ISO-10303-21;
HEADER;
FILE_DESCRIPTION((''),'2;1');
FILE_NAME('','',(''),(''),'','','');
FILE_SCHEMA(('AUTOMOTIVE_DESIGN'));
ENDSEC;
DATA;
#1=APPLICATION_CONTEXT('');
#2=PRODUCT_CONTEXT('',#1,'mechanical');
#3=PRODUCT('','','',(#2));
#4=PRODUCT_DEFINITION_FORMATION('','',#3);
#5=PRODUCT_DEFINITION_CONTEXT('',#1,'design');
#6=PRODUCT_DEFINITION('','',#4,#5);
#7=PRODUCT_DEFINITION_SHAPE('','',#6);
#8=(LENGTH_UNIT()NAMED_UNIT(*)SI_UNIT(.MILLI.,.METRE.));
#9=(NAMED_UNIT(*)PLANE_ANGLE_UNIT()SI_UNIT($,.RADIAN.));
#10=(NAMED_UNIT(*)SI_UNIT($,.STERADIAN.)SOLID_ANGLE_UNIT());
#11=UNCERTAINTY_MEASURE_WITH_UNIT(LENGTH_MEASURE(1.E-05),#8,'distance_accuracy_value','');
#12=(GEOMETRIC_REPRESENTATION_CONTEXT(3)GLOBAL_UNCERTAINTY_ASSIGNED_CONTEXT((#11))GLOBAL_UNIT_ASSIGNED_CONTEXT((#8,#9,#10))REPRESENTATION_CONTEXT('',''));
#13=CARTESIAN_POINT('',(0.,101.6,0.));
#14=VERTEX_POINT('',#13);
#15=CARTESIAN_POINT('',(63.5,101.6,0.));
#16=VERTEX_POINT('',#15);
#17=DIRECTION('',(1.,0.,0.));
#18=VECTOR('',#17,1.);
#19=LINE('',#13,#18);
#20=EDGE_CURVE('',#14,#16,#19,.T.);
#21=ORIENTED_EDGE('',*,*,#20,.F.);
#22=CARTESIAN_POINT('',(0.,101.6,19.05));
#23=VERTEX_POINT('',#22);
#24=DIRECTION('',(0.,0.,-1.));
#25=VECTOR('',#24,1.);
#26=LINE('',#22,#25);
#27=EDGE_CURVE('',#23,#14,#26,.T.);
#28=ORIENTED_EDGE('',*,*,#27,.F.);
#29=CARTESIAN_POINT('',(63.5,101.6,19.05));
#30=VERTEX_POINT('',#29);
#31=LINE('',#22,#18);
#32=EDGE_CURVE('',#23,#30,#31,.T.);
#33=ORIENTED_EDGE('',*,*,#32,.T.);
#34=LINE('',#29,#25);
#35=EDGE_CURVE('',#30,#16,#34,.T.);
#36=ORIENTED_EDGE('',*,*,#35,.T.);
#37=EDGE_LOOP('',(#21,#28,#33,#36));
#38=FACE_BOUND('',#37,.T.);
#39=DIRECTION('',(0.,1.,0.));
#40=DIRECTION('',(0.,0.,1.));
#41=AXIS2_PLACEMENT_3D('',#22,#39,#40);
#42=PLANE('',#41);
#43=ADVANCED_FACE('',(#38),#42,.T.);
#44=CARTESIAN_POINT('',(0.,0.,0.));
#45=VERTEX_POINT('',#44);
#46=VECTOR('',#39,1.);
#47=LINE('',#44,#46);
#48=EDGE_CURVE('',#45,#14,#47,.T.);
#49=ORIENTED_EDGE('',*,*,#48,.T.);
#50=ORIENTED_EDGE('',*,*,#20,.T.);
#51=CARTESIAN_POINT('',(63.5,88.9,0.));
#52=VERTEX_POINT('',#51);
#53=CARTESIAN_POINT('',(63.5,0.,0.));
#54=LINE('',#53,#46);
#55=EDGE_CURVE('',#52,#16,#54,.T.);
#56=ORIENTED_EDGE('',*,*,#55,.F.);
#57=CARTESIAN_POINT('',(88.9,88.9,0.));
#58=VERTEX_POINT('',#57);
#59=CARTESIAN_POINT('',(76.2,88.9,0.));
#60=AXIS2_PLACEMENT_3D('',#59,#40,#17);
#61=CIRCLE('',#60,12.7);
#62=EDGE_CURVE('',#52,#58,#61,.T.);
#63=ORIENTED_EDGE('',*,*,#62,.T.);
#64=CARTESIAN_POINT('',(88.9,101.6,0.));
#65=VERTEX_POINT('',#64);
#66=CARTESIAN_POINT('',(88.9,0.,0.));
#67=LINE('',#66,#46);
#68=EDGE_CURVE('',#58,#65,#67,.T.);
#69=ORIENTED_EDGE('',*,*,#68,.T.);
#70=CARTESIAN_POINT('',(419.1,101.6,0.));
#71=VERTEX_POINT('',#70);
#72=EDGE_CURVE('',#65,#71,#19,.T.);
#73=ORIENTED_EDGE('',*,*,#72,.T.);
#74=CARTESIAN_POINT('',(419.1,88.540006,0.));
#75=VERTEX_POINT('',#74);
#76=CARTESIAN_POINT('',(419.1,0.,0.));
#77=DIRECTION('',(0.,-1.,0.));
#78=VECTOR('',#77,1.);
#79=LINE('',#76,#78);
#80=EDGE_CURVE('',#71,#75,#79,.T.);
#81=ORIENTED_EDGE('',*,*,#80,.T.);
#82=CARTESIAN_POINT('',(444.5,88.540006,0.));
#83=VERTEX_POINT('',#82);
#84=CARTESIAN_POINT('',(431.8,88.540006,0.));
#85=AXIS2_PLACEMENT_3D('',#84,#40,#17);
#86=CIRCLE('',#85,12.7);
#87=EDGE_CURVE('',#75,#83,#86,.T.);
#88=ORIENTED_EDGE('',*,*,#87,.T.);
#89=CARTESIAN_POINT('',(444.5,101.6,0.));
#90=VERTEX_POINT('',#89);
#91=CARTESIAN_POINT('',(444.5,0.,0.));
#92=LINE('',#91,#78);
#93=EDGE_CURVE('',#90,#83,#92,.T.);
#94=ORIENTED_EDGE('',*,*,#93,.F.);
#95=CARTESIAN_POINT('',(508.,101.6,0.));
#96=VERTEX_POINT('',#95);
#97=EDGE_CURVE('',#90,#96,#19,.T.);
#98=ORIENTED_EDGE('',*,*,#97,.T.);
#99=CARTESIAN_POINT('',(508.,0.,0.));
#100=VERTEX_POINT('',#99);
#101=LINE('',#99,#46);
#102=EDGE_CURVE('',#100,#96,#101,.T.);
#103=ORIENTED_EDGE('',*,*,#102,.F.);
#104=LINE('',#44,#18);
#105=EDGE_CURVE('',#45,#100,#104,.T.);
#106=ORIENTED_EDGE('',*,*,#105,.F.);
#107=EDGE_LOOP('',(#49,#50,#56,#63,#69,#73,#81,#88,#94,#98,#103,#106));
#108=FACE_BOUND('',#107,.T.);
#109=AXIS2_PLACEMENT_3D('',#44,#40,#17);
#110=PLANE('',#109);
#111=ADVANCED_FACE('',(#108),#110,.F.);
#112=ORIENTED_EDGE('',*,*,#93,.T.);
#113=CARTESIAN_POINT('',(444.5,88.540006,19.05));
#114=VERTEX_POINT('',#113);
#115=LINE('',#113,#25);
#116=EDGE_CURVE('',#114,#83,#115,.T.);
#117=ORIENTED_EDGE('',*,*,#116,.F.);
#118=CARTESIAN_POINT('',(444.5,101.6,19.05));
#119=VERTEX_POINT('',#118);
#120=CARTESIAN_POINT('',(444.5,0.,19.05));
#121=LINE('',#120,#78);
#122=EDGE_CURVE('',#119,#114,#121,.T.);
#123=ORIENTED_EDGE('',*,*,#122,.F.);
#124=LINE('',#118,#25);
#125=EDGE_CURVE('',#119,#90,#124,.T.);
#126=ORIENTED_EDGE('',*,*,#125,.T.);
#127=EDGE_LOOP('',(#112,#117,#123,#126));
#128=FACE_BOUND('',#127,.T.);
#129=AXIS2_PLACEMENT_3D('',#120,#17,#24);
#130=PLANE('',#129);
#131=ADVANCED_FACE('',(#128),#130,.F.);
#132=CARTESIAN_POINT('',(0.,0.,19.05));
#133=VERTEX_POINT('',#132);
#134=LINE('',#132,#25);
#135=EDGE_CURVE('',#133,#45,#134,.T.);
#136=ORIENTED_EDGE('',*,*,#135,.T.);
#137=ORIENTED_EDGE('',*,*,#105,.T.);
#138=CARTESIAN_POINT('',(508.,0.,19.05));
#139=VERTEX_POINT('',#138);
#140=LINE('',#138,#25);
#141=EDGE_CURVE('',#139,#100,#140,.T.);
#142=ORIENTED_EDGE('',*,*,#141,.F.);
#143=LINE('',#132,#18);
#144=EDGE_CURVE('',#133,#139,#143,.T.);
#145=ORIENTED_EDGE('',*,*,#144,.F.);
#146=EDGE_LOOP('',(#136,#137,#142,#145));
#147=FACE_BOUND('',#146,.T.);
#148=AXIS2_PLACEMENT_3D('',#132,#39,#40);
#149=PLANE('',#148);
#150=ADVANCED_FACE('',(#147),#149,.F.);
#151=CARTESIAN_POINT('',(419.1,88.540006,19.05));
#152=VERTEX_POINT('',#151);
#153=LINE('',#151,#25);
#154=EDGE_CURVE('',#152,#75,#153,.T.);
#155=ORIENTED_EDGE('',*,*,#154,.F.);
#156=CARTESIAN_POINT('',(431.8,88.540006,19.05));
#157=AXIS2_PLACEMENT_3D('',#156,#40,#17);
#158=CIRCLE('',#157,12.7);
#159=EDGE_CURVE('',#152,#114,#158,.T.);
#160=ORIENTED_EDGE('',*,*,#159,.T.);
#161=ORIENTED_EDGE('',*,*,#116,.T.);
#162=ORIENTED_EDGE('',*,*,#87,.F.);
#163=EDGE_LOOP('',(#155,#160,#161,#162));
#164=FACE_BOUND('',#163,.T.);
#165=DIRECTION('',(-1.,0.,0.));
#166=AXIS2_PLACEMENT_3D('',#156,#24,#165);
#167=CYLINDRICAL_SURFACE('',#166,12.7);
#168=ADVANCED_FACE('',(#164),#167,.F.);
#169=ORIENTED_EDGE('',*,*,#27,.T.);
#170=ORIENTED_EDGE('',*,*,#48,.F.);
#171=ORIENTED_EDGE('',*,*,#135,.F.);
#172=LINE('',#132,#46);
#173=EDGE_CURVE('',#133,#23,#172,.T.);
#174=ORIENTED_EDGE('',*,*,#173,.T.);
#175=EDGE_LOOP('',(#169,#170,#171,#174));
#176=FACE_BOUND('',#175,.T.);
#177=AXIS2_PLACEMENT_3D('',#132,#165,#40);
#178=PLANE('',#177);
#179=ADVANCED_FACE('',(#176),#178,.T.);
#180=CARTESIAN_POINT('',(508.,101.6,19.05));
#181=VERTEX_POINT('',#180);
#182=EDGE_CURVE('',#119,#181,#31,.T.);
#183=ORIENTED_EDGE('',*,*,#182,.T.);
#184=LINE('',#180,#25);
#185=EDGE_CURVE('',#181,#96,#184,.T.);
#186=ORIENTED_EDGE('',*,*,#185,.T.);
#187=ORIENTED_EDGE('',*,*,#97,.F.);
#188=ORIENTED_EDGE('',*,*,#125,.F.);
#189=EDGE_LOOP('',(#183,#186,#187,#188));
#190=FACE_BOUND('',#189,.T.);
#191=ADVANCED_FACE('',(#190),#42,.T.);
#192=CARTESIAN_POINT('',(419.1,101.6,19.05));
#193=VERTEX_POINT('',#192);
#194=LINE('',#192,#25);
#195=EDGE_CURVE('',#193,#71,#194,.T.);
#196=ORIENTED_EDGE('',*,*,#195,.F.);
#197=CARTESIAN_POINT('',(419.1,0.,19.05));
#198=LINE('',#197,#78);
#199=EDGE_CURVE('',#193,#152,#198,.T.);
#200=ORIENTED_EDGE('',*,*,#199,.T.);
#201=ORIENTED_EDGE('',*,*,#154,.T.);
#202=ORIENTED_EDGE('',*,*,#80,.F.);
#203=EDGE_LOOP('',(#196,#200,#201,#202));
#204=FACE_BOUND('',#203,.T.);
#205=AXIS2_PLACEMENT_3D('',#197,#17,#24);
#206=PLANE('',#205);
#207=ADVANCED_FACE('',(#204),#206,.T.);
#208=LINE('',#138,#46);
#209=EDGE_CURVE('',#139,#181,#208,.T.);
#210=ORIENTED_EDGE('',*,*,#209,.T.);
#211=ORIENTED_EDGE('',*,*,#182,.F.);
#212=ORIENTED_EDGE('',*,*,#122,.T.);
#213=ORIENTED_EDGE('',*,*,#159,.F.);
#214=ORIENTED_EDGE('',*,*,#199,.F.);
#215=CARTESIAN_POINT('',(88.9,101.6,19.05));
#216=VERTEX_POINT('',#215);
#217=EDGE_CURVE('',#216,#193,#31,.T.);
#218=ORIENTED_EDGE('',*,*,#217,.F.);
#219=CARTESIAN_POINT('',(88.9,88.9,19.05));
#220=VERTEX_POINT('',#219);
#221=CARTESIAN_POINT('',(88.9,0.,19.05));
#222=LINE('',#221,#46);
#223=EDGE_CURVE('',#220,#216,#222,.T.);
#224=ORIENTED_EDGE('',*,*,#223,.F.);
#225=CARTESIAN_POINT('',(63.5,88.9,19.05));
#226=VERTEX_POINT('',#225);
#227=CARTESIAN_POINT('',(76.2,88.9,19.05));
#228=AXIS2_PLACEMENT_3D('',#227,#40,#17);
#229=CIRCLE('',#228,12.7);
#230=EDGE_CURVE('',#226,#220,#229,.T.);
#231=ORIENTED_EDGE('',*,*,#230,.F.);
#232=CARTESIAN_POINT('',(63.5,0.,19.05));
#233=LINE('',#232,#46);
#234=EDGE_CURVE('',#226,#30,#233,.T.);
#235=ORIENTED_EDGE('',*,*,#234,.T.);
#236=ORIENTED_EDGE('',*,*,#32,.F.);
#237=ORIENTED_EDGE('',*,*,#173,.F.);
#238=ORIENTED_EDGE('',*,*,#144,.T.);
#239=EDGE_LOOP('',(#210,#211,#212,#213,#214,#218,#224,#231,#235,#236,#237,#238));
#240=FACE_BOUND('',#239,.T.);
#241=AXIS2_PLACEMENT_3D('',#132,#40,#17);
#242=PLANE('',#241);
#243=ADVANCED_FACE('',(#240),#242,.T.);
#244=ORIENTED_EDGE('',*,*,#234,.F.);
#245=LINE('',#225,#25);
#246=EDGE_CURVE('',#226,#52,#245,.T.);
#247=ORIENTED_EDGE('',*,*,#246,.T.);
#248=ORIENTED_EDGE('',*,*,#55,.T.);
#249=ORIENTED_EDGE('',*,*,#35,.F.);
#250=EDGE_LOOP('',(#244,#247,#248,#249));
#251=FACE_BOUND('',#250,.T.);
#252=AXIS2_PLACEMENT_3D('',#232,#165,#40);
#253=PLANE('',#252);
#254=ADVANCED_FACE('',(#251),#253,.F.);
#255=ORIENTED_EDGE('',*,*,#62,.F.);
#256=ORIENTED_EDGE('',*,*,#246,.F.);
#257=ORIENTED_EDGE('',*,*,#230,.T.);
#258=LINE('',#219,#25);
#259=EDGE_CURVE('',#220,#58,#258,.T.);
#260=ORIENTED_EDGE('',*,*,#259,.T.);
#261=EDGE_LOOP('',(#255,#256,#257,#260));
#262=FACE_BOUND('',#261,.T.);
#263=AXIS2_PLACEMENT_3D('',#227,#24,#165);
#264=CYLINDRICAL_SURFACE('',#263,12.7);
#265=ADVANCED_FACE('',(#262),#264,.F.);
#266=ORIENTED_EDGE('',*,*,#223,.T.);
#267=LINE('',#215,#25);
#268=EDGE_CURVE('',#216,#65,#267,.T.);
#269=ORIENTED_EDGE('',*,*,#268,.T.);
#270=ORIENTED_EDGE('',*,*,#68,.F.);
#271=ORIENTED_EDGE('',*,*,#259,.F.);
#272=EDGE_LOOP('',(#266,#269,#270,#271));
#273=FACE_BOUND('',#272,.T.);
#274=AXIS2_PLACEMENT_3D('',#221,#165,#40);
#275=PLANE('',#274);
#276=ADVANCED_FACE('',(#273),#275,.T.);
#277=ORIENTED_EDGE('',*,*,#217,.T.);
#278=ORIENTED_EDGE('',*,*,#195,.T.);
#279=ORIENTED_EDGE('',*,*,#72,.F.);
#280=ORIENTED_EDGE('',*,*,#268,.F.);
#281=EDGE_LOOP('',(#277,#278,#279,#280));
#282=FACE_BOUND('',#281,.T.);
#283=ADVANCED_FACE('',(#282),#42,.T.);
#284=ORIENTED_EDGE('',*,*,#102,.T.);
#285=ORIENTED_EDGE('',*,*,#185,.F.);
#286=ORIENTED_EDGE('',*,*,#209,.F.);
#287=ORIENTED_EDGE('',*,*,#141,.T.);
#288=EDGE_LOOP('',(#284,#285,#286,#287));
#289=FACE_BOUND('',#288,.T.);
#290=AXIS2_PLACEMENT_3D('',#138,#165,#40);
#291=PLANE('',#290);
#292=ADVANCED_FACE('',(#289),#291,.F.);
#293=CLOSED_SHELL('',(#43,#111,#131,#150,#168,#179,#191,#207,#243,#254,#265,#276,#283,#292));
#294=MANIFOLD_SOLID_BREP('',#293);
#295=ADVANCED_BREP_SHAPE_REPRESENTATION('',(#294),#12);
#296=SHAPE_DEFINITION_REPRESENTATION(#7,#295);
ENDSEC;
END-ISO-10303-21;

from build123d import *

# Parameters (mm, degrees)
BOSS_EXTRUDE1_DEPTH = 19.05


with BuildPart() as part:
    # Sketch1 → Boss-Extrude1 (new body)
    with BuildSketch(Plane.XY):
        with BuildLine():
            Line((0, 101.6), (0, 0))
            Line((0, 0), (508, 0))
            Line((508, 0), (508, 101.6))
            Line((508, 101.6), (444.5, 101.6))
            Line((444.5, 101.6), (444.5, 88.540005908))
            ThreePointArc((444.5, 88.540005908), (431.8, 75.840005908), (419.1, 88.540005908))
            Line((419.1, 88.540005908), (419.1, 101.6))
            Line((419.1, 101.6), (88.9, 101.6))
            Line((88.9, 101.6), (88.9, 88.9))
            ThreePointArc((88.9, 88.9), (76.2, 76.2), (63.5, 88.9))
            Line((63.5, 88.9), (63.5, 101.6))
            Line((63.5, 101.6), (0, 101.6))
        make_face()
    extrude(amount=BOSS_EXTRUDE1_DEPTH)


solid = part.part
